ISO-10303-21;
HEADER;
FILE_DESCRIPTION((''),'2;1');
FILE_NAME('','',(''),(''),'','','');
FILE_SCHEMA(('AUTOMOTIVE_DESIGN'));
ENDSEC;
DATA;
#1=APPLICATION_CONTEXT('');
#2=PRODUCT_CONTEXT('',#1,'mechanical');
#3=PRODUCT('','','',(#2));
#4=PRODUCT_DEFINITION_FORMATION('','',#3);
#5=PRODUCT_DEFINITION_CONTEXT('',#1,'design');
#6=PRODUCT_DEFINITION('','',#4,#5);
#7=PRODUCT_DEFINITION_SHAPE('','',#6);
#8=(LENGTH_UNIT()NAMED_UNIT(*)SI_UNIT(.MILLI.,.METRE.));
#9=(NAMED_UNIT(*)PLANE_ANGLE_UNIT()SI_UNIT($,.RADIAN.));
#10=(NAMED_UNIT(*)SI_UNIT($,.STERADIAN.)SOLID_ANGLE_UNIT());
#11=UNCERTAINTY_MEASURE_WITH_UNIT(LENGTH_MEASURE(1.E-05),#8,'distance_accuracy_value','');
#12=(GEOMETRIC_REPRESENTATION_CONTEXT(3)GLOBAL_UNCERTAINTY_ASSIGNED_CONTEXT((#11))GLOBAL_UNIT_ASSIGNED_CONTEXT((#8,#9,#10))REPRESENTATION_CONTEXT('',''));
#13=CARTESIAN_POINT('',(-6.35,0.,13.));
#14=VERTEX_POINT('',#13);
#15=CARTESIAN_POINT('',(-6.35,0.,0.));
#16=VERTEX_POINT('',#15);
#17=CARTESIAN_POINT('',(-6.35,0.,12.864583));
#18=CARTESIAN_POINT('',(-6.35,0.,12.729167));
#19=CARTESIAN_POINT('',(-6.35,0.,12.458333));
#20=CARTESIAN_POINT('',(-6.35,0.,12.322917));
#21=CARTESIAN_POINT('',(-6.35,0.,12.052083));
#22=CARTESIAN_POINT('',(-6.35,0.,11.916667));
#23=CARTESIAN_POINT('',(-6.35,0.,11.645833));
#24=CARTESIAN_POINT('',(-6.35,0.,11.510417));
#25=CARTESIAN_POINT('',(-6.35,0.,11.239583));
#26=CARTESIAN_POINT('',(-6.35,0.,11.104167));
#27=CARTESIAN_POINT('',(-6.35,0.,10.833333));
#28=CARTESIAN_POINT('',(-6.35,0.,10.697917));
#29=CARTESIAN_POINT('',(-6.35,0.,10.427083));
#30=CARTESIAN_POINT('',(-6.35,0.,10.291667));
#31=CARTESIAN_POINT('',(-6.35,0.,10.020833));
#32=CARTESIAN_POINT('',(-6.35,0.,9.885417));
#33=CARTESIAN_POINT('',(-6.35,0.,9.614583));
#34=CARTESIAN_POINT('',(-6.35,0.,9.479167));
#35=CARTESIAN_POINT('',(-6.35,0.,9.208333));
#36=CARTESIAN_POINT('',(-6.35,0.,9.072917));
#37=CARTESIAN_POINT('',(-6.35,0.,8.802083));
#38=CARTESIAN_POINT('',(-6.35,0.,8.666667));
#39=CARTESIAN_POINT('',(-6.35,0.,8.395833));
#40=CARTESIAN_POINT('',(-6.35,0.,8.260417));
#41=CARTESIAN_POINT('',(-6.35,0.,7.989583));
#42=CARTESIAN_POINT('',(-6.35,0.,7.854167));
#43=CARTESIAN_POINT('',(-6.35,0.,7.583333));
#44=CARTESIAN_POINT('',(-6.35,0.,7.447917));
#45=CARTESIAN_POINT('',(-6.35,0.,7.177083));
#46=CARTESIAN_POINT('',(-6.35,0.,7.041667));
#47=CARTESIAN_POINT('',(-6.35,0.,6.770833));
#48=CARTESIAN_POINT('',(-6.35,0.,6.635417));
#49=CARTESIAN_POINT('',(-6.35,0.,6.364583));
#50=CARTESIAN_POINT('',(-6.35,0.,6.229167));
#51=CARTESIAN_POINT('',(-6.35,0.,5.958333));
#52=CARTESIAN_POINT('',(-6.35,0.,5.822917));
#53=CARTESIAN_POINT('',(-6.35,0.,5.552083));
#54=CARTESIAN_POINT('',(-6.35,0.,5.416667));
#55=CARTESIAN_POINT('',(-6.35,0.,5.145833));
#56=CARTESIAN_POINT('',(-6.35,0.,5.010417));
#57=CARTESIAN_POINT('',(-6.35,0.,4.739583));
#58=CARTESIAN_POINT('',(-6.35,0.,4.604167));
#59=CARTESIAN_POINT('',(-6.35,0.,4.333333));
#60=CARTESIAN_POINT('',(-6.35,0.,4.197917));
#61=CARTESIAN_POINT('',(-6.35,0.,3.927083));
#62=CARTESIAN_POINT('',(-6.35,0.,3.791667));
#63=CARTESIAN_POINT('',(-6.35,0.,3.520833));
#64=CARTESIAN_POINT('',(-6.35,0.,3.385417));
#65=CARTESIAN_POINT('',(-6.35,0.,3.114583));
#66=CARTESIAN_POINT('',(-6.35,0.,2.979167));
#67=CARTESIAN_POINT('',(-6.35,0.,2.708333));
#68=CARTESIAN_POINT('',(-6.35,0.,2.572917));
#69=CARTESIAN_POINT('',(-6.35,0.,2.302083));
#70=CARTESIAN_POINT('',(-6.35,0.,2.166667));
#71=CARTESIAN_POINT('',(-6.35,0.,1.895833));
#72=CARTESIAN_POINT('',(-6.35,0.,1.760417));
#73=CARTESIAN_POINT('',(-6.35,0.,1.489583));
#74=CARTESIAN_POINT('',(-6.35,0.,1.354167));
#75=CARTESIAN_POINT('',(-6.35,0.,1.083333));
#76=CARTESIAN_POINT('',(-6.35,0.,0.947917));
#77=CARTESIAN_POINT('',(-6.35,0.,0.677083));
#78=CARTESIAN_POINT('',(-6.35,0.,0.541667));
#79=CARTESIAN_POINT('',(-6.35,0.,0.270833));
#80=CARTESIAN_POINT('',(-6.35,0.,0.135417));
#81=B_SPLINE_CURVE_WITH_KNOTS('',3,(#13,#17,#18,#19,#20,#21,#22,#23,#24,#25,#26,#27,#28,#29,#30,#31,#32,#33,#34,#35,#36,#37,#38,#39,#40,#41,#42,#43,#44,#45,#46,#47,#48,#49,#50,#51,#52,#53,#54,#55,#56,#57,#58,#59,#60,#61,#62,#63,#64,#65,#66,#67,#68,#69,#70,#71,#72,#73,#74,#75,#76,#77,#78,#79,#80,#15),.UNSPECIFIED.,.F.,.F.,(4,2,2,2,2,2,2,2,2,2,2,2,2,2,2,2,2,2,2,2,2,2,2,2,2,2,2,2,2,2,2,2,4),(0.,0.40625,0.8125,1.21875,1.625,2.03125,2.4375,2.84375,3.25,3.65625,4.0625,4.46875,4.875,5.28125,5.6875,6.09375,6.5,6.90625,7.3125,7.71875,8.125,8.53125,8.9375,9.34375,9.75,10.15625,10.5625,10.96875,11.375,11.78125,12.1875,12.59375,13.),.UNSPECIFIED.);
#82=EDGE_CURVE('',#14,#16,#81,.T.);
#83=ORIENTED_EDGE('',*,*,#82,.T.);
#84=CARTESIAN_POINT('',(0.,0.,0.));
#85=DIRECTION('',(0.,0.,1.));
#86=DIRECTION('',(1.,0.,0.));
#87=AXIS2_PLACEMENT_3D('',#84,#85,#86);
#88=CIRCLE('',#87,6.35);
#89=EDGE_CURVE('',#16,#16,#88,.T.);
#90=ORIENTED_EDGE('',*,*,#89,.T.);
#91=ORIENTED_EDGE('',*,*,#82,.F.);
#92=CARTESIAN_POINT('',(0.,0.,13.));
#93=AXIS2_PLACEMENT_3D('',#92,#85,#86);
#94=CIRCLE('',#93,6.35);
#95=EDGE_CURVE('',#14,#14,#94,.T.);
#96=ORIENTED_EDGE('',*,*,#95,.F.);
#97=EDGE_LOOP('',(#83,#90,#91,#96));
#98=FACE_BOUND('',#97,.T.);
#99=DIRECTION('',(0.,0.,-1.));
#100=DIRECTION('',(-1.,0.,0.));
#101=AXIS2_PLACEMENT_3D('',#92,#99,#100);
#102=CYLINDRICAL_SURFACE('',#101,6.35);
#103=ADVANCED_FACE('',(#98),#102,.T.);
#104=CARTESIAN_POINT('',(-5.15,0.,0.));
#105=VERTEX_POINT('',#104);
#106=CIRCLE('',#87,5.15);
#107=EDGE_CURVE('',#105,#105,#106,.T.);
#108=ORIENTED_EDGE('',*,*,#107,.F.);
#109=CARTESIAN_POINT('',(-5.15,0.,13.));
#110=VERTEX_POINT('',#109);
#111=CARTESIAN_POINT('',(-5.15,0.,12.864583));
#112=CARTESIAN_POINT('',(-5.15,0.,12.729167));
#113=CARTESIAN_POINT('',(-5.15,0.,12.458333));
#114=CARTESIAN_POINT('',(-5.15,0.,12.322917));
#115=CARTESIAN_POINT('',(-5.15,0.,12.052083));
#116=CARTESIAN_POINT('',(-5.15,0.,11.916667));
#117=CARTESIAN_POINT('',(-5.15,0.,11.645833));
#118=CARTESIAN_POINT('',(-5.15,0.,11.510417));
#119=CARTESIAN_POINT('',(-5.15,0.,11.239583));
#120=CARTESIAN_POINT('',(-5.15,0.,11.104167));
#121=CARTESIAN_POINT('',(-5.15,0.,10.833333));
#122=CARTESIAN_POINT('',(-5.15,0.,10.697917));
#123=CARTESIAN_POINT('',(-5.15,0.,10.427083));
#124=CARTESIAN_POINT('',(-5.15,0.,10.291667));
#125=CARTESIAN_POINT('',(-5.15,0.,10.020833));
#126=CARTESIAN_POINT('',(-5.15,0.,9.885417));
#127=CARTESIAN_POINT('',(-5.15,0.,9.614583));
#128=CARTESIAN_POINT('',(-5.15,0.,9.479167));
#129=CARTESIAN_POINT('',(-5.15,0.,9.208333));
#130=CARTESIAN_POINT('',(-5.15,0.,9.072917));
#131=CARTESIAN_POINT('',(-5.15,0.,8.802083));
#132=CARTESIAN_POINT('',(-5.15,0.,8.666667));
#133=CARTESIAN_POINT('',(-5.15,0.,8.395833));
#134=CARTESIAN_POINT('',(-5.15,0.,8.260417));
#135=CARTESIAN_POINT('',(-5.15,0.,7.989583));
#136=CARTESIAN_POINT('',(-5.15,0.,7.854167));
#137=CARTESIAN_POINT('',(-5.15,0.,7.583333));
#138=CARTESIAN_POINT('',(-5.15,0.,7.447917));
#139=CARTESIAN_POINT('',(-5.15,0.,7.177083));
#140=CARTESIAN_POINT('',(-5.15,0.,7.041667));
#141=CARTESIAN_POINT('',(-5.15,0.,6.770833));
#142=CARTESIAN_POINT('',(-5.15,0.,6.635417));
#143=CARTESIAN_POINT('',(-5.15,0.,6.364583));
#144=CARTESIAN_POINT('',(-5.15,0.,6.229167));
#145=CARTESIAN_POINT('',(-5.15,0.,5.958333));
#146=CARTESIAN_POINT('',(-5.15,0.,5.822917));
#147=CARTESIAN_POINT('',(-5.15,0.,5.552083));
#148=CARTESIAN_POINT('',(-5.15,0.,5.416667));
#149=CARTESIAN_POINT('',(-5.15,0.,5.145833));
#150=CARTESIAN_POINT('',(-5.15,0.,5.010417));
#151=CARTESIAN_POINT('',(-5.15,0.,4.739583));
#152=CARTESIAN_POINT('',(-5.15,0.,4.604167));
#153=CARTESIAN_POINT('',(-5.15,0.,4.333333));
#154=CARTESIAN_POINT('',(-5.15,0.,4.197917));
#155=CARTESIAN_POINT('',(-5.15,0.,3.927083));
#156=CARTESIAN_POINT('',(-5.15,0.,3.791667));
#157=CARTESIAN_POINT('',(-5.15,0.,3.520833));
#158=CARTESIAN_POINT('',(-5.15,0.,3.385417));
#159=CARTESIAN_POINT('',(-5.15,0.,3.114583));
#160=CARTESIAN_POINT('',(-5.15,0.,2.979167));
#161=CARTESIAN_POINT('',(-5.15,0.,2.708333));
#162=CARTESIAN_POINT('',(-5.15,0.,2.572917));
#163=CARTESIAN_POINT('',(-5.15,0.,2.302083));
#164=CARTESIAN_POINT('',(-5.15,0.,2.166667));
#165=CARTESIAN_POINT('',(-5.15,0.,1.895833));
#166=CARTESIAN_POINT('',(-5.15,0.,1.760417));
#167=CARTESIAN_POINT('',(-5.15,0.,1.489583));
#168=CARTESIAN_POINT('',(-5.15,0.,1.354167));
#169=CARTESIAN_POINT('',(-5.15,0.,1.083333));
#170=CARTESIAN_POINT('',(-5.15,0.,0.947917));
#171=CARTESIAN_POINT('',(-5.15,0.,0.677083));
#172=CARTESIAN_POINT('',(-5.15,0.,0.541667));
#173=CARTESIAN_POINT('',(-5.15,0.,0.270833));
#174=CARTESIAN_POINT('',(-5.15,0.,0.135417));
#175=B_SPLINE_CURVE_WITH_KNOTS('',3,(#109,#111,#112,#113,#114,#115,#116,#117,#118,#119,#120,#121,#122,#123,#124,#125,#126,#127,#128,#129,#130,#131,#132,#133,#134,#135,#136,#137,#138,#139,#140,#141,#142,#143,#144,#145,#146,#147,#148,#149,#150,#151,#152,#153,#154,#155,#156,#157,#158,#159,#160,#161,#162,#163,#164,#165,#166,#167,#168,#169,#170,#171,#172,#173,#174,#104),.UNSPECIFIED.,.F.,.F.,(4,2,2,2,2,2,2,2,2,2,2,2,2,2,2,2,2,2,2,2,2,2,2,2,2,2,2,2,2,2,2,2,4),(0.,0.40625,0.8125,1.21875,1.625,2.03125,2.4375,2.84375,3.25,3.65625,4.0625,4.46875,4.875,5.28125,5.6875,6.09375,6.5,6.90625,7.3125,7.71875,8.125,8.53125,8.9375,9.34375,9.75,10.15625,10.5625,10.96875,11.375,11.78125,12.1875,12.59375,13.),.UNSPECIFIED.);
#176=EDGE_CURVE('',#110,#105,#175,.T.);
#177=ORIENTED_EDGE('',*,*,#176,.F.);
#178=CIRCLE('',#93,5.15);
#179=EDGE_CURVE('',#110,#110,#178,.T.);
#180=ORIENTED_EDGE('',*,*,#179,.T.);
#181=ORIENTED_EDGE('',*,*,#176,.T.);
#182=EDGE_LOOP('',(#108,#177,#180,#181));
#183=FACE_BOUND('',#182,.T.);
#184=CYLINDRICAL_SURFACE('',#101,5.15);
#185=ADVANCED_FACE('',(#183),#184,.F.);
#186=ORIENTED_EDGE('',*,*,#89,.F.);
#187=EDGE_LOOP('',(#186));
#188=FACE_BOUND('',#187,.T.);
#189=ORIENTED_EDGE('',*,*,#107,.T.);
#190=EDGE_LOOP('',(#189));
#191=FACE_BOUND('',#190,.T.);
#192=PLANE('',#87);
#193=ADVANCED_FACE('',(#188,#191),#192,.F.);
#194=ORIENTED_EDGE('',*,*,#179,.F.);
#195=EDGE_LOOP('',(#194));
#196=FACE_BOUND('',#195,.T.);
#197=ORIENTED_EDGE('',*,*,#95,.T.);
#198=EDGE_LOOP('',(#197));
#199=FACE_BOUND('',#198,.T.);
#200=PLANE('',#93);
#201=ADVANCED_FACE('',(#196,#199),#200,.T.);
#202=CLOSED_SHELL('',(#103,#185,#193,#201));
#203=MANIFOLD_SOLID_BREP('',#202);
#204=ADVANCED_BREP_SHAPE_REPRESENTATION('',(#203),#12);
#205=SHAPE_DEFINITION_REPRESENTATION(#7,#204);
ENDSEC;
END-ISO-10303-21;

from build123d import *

# Parameters (mm, degrees)
ESBO_O1_R                = 6.35
ESBO_O1_R_2              = 5.15
RESSALTO_EXTRUS_O1_DEPTH = 13


with BuildPart() as part:
    # Esboço1 → Ressalto-extrusão1 (new body)
    with BuildSketch(Plane.XY):
        with Locations(Location((0, 0, 0), (0, 0, 180))):
            Circle(ESBO_O1_R)
        with Locations(Location((0, 0, 0), (0, 0, 180))):
            Circle(ESBO_O1_R_2, mode=Mode.SUBTRACT)
    extrude(amount=RESSALTO_EXTRUS_O1_DEPTH)


solid = part.part
